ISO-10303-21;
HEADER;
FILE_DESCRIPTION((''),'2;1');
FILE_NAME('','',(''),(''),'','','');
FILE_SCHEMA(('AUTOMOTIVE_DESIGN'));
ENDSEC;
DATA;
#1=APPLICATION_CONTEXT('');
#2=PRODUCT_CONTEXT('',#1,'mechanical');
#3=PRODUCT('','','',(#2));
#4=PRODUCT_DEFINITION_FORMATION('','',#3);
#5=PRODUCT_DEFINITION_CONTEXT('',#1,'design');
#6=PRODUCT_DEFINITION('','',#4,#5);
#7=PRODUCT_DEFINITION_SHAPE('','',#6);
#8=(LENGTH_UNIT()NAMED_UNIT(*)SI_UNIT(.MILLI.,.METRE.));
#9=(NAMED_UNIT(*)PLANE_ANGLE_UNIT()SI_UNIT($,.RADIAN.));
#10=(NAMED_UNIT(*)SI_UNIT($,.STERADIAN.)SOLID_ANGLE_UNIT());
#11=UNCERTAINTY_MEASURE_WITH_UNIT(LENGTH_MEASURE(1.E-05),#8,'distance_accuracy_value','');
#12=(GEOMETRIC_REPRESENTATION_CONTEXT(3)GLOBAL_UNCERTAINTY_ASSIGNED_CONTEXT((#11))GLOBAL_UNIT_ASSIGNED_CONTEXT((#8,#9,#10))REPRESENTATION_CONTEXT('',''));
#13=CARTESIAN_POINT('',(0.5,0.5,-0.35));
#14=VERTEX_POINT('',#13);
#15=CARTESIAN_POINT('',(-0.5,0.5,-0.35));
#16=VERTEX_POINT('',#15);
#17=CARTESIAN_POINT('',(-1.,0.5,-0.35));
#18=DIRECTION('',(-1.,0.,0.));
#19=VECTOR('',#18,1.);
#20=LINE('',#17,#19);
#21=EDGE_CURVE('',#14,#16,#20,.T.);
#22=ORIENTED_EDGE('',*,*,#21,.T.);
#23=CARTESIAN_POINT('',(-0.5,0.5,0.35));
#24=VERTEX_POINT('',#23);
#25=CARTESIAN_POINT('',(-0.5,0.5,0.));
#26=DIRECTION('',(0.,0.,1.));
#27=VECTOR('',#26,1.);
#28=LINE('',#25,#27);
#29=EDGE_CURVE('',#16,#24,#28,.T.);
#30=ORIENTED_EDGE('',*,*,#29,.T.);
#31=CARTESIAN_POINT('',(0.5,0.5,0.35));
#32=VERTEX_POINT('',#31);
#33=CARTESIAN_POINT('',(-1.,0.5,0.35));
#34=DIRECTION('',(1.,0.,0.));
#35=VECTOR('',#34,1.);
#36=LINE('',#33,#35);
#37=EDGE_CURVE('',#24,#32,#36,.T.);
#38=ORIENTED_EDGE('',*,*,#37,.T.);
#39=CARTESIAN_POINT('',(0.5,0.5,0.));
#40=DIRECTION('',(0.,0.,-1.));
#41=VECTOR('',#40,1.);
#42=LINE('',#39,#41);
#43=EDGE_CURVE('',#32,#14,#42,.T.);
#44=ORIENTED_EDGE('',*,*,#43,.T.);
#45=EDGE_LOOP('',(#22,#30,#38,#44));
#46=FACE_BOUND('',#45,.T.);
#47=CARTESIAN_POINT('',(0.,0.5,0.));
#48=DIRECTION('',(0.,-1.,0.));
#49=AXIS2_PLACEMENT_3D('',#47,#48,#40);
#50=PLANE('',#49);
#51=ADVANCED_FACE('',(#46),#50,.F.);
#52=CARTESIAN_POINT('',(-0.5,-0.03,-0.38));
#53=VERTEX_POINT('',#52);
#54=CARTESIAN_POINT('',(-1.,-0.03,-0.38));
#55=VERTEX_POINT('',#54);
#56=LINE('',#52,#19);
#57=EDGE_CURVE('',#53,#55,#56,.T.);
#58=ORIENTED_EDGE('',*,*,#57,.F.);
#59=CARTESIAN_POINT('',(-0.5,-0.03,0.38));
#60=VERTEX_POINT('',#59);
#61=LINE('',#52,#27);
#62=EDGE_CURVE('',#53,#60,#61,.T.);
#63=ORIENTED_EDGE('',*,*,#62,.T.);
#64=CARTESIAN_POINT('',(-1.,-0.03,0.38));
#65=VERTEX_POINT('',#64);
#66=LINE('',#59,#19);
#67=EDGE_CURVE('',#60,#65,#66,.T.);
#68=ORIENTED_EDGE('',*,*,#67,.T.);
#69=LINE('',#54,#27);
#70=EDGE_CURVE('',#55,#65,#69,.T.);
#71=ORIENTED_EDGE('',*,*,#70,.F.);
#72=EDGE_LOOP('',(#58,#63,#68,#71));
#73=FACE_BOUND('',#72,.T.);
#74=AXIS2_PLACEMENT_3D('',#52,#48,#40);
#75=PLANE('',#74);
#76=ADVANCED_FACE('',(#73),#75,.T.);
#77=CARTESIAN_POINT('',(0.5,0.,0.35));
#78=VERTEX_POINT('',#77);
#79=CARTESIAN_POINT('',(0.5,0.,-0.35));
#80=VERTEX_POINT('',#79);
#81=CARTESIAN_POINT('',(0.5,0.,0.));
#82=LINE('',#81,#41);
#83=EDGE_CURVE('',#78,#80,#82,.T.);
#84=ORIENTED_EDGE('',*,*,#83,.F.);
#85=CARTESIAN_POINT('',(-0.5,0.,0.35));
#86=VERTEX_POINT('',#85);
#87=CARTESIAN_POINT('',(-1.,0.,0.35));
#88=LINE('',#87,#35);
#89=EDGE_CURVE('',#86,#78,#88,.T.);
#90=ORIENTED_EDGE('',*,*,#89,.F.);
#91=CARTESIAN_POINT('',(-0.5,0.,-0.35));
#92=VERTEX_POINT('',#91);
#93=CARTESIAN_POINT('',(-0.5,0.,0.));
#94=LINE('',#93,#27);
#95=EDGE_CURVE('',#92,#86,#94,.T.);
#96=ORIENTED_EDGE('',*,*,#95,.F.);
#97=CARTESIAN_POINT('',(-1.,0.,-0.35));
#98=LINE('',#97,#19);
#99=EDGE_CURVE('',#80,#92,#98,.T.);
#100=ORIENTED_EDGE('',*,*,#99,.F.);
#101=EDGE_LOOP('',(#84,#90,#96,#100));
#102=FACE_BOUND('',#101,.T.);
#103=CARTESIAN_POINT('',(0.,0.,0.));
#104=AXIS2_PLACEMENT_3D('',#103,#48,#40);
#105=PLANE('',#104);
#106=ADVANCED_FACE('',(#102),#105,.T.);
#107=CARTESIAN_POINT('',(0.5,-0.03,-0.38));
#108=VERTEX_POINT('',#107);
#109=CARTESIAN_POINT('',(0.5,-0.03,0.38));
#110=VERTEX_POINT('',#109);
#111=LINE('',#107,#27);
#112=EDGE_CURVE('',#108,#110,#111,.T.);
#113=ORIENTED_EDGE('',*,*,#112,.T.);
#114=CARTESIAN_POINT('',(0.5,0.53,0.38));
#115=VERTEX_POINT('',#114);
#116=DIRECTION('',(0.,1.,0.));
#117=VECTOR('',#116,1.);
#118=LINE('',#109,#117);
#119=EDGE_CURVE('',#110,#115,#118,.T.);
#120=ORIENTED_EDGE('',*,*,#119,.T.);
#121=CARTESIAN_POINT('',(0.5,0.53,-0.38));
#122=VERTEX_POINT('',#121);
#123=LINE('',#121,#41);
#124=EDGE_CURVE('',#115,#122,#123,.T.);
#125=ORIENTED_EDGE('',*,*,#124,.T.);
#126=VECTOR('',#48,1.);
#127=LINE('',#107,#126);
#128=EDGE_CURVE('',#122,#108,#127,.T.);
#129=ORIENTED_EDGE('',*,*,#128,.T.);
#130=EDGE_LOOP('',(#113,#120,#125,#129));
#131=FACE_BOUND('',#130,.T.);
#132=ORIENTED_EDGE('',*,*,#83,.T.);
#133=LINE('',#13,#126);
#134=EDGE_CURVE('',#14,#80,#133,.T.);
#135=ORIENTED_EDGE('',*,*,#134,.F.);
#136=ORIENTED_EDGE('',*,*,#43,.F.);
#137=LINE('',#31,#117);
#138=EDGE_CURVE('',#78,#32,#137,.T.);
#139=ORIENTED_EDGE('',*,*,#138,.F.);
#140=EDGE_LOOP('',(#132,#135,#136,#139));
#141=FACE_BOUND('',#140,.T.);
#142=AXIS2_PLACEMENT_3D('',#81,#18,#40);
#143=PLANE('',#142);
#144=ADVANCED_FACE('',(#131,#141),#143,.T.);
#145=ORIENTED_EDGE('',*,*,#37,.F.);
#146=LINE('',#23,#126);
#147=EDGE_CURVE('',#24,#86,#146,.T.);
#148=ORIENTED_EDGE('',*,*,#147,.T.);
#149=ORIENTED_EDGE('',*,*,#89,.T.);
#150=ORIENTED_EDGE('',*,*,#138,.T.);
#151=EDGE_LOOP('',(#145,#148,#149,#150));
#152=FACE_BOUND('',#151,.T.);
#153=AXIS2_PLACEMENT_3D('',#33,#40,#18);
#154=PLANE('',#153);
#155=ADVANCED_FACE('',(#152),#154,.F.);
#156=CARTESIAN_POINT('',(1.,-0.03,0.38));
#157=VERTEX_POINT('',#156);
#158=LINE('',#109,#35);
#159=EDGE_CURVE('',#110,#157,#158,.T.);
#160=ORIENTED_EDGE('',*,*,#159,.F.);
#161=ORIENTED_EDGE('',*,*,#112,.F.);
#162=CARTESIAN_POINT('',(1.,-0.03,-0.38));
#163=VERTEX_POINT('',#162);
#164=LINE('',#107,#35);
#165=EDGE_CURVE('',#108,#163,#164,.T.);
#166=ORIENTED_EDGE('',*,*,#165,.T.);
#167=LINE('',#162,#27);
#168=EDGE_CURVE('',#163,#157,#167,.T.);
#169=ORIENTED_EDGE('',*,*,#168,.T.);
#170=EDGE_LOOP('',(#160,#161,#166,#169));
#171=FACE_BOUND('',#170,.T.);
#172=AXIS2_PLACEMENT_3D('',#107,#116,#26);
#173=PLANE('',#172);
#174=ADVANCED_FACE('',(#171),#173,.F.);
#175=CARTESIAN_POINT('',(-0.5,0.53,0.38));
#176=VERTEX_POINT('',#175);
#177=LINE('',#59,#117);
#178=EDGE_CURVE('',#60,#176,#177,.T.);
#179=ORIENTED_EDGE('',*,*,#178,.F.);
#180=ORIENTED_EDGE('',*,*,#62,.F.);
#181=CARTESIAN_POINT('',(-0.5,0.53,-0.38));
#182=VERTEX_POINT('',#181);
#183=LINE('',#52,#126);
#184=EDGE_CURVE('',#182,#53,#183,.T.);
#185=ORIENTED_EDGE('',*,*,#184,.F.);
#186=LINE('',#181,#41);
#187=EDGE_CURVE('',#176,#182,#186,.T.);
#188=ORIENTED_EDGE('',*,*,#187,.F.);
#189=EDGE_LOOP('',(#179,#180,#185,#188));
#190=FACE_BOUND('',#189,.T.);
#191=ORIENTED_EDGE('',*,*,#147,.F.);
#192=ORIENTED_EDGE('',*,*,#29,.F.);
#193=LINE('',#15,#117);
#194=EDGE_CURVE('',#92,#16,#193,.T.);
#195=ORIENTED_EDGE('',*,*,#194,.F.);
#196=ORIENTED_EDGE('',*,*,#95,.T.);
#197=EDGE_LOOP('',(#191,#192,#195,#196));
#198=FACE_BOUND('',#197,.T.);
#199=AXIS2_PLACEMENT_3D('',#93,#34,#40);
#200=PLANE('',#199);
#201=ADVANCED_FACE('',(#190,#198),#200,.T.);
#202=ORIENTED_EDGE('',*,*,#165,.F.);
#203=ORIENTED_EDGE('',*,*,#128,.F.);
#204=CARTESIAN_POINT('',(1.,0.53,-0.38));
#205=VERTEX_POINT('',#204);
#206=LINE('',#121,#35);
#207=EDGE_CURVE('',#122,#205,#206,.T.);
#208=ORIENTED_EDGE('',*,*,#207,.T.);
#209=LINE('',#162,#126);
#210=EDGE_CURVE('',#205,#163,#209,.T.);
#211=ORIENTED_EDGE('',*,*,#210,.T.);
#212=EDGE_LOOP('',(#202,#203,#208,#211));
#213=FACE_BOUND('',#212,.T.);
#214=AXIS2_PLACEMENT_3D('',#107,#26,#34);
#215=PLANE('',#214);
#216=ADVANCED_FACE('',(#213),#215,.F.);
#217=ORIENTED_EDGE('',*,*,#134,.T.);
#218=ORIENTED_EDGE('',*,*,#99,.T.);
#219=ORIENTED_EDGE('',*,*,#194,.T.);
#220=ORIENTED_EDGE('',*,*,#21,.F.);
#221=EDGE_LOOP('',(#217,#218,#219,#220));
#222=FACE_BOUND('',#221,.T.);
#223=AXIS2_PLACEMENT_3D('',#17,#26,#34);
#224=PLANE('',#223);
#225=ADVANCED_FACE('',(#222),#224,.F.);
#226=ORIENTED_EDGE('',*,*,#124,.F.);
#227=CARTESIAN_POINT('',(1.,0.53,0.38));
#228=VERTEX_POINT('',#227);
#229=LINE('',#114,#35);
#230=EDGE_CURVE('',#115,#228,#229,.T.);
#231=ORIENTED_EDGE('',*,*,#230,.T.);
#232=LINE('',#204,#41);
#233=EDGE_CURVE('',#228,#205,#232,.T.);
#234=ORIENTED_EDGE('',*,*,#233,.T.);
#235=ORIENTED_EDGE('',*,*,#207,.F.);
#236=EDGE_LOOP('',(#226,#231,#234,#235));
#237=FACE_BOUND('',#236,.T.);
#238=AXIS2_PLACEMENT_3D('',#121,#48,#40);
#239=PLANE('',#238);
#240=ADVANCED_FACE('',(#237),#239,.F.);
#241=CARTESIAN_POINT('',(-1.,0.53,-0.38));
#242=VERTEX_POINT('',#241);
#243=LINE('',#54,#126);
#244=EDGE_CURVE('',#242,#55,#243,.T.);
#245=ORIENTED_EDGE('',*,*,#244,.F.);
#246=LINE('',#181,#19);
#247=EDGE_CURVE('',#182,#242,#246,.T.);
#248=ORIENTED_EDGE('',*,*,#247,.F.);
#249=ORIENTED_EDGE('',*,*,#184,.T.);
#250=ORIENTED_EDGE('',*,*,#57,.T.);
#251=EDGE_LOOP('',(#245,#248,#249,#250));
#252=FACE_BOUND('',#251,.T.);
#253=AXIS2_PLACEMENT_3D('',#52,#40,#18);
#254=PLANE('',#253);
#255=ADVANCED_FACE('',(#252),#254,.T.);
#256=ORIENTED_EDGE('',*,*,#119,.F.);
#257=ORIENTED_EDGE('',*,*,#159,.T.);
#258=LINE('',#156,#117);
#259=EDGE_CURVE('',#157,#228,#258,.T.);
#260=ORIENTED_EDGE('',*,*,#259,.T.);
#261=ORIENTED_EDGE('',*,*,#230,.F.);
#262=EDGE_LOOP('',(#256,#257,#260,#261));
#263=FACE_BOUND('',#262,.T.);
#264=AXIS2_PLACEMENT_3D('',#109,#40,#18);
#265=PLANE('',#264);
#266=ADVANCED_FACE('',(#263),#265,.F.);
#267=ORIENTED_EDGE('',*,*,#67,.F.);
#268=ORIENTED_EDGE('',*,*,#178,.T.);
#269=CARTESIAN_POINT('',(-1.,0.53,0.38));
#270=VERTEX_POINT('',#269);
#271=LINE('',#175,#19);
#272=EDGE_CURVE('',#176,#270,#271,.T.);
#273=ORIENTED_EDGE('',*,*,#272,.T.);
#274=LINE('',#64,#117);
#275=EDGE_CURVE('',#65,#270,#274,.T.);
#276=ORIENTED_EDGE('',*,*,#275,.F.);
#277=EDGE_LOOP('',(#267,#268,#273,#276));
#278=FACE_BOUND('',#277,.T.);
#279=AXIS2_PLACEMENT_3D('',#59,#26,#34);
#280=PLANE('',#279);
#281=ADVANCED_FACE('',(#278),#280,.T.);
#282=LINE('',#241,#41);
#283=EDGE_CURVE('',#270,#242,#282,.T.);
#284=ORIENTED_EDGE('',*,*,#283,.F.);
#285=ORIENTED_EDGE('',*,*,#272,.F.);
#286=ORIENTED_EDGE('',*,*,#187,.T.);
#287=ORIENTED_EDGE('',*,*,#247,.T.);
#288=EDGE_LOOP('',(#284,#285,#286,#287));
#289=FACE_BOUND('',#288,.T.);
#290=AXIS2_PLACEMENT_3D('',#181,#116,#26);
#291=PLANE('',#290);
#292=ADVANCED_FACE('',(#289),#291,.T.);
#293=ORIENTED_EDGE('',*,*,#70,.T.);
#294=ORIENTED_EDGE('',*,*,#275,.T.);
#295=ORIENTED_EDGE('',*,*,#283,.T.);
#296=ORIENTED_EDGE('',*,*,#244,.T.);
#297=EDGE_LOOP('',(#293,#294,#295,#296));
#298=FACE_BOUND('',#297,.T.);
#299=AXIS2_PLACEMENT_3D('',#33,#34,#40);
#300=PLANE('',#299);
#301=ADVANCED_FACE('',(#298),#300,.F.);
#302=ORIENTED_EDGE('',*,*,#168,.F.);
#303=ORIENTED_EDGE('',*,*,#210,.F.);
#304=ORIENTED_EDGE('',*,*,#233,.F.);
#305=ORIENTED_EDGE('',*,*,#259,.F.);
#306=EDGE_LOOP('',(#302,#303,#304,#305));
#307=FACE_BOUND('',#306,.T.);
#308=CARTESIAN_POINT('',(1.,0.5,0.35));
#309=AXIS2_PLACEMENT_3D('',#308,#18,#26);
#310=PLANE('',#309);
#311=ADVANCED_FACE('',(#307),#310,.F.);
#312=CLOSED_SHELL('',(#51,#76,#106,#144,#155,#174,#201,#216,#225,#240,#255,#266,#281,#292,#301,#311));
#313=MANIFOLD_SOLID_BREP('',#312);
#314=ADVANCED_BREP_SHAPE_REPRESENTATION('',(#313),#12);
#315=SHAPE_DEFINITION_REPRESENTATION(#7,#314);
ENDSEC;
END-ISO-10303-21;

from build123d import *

# Parameters (mm, degrees)
SKETCH1_W           = 2
SKETCH1_H           = 0.7
BOSS_EXTRUDE1_DEPTH = 0.5
SKETCH2_W           = 0.76
SKETCH2_H           = 0.56
BOSS_EXTRUDE2_DEPTH = 0.5


with BuildPart() as part:
    # Sketch1 → Boss-Extrude1 (new body)
    with BuildSketch(Plane(origin=(0, 0, 0), x_dir=(1, 0, 0), z_dir=(0, 1, 0))):
        Rectangle(SKETCH1_W, SKETCH1_H)
    extrude(amount=BOSS_EXTRUDE1_DEPTH)

    # Sketch2 → Boss-Extrude2 (add)
    with BuildSketch(Plane.ZY.offset(1)):
        with Locations((0, 0.25)):
            Rectangle(SKETCH2_W, SKETCH2_H)
    boss_extrude2 = extrude(amount=-BOSS_EXTRUDE2_DEPTH)

    # Mirror1: Boss-Extrude2 across plane
    add(boss_extrude2.mirror(Plane(origin=(0, 0, 0), x_dir=(0, 0, 1), z_dir=(1, 0, 0))))


solid = part.part
